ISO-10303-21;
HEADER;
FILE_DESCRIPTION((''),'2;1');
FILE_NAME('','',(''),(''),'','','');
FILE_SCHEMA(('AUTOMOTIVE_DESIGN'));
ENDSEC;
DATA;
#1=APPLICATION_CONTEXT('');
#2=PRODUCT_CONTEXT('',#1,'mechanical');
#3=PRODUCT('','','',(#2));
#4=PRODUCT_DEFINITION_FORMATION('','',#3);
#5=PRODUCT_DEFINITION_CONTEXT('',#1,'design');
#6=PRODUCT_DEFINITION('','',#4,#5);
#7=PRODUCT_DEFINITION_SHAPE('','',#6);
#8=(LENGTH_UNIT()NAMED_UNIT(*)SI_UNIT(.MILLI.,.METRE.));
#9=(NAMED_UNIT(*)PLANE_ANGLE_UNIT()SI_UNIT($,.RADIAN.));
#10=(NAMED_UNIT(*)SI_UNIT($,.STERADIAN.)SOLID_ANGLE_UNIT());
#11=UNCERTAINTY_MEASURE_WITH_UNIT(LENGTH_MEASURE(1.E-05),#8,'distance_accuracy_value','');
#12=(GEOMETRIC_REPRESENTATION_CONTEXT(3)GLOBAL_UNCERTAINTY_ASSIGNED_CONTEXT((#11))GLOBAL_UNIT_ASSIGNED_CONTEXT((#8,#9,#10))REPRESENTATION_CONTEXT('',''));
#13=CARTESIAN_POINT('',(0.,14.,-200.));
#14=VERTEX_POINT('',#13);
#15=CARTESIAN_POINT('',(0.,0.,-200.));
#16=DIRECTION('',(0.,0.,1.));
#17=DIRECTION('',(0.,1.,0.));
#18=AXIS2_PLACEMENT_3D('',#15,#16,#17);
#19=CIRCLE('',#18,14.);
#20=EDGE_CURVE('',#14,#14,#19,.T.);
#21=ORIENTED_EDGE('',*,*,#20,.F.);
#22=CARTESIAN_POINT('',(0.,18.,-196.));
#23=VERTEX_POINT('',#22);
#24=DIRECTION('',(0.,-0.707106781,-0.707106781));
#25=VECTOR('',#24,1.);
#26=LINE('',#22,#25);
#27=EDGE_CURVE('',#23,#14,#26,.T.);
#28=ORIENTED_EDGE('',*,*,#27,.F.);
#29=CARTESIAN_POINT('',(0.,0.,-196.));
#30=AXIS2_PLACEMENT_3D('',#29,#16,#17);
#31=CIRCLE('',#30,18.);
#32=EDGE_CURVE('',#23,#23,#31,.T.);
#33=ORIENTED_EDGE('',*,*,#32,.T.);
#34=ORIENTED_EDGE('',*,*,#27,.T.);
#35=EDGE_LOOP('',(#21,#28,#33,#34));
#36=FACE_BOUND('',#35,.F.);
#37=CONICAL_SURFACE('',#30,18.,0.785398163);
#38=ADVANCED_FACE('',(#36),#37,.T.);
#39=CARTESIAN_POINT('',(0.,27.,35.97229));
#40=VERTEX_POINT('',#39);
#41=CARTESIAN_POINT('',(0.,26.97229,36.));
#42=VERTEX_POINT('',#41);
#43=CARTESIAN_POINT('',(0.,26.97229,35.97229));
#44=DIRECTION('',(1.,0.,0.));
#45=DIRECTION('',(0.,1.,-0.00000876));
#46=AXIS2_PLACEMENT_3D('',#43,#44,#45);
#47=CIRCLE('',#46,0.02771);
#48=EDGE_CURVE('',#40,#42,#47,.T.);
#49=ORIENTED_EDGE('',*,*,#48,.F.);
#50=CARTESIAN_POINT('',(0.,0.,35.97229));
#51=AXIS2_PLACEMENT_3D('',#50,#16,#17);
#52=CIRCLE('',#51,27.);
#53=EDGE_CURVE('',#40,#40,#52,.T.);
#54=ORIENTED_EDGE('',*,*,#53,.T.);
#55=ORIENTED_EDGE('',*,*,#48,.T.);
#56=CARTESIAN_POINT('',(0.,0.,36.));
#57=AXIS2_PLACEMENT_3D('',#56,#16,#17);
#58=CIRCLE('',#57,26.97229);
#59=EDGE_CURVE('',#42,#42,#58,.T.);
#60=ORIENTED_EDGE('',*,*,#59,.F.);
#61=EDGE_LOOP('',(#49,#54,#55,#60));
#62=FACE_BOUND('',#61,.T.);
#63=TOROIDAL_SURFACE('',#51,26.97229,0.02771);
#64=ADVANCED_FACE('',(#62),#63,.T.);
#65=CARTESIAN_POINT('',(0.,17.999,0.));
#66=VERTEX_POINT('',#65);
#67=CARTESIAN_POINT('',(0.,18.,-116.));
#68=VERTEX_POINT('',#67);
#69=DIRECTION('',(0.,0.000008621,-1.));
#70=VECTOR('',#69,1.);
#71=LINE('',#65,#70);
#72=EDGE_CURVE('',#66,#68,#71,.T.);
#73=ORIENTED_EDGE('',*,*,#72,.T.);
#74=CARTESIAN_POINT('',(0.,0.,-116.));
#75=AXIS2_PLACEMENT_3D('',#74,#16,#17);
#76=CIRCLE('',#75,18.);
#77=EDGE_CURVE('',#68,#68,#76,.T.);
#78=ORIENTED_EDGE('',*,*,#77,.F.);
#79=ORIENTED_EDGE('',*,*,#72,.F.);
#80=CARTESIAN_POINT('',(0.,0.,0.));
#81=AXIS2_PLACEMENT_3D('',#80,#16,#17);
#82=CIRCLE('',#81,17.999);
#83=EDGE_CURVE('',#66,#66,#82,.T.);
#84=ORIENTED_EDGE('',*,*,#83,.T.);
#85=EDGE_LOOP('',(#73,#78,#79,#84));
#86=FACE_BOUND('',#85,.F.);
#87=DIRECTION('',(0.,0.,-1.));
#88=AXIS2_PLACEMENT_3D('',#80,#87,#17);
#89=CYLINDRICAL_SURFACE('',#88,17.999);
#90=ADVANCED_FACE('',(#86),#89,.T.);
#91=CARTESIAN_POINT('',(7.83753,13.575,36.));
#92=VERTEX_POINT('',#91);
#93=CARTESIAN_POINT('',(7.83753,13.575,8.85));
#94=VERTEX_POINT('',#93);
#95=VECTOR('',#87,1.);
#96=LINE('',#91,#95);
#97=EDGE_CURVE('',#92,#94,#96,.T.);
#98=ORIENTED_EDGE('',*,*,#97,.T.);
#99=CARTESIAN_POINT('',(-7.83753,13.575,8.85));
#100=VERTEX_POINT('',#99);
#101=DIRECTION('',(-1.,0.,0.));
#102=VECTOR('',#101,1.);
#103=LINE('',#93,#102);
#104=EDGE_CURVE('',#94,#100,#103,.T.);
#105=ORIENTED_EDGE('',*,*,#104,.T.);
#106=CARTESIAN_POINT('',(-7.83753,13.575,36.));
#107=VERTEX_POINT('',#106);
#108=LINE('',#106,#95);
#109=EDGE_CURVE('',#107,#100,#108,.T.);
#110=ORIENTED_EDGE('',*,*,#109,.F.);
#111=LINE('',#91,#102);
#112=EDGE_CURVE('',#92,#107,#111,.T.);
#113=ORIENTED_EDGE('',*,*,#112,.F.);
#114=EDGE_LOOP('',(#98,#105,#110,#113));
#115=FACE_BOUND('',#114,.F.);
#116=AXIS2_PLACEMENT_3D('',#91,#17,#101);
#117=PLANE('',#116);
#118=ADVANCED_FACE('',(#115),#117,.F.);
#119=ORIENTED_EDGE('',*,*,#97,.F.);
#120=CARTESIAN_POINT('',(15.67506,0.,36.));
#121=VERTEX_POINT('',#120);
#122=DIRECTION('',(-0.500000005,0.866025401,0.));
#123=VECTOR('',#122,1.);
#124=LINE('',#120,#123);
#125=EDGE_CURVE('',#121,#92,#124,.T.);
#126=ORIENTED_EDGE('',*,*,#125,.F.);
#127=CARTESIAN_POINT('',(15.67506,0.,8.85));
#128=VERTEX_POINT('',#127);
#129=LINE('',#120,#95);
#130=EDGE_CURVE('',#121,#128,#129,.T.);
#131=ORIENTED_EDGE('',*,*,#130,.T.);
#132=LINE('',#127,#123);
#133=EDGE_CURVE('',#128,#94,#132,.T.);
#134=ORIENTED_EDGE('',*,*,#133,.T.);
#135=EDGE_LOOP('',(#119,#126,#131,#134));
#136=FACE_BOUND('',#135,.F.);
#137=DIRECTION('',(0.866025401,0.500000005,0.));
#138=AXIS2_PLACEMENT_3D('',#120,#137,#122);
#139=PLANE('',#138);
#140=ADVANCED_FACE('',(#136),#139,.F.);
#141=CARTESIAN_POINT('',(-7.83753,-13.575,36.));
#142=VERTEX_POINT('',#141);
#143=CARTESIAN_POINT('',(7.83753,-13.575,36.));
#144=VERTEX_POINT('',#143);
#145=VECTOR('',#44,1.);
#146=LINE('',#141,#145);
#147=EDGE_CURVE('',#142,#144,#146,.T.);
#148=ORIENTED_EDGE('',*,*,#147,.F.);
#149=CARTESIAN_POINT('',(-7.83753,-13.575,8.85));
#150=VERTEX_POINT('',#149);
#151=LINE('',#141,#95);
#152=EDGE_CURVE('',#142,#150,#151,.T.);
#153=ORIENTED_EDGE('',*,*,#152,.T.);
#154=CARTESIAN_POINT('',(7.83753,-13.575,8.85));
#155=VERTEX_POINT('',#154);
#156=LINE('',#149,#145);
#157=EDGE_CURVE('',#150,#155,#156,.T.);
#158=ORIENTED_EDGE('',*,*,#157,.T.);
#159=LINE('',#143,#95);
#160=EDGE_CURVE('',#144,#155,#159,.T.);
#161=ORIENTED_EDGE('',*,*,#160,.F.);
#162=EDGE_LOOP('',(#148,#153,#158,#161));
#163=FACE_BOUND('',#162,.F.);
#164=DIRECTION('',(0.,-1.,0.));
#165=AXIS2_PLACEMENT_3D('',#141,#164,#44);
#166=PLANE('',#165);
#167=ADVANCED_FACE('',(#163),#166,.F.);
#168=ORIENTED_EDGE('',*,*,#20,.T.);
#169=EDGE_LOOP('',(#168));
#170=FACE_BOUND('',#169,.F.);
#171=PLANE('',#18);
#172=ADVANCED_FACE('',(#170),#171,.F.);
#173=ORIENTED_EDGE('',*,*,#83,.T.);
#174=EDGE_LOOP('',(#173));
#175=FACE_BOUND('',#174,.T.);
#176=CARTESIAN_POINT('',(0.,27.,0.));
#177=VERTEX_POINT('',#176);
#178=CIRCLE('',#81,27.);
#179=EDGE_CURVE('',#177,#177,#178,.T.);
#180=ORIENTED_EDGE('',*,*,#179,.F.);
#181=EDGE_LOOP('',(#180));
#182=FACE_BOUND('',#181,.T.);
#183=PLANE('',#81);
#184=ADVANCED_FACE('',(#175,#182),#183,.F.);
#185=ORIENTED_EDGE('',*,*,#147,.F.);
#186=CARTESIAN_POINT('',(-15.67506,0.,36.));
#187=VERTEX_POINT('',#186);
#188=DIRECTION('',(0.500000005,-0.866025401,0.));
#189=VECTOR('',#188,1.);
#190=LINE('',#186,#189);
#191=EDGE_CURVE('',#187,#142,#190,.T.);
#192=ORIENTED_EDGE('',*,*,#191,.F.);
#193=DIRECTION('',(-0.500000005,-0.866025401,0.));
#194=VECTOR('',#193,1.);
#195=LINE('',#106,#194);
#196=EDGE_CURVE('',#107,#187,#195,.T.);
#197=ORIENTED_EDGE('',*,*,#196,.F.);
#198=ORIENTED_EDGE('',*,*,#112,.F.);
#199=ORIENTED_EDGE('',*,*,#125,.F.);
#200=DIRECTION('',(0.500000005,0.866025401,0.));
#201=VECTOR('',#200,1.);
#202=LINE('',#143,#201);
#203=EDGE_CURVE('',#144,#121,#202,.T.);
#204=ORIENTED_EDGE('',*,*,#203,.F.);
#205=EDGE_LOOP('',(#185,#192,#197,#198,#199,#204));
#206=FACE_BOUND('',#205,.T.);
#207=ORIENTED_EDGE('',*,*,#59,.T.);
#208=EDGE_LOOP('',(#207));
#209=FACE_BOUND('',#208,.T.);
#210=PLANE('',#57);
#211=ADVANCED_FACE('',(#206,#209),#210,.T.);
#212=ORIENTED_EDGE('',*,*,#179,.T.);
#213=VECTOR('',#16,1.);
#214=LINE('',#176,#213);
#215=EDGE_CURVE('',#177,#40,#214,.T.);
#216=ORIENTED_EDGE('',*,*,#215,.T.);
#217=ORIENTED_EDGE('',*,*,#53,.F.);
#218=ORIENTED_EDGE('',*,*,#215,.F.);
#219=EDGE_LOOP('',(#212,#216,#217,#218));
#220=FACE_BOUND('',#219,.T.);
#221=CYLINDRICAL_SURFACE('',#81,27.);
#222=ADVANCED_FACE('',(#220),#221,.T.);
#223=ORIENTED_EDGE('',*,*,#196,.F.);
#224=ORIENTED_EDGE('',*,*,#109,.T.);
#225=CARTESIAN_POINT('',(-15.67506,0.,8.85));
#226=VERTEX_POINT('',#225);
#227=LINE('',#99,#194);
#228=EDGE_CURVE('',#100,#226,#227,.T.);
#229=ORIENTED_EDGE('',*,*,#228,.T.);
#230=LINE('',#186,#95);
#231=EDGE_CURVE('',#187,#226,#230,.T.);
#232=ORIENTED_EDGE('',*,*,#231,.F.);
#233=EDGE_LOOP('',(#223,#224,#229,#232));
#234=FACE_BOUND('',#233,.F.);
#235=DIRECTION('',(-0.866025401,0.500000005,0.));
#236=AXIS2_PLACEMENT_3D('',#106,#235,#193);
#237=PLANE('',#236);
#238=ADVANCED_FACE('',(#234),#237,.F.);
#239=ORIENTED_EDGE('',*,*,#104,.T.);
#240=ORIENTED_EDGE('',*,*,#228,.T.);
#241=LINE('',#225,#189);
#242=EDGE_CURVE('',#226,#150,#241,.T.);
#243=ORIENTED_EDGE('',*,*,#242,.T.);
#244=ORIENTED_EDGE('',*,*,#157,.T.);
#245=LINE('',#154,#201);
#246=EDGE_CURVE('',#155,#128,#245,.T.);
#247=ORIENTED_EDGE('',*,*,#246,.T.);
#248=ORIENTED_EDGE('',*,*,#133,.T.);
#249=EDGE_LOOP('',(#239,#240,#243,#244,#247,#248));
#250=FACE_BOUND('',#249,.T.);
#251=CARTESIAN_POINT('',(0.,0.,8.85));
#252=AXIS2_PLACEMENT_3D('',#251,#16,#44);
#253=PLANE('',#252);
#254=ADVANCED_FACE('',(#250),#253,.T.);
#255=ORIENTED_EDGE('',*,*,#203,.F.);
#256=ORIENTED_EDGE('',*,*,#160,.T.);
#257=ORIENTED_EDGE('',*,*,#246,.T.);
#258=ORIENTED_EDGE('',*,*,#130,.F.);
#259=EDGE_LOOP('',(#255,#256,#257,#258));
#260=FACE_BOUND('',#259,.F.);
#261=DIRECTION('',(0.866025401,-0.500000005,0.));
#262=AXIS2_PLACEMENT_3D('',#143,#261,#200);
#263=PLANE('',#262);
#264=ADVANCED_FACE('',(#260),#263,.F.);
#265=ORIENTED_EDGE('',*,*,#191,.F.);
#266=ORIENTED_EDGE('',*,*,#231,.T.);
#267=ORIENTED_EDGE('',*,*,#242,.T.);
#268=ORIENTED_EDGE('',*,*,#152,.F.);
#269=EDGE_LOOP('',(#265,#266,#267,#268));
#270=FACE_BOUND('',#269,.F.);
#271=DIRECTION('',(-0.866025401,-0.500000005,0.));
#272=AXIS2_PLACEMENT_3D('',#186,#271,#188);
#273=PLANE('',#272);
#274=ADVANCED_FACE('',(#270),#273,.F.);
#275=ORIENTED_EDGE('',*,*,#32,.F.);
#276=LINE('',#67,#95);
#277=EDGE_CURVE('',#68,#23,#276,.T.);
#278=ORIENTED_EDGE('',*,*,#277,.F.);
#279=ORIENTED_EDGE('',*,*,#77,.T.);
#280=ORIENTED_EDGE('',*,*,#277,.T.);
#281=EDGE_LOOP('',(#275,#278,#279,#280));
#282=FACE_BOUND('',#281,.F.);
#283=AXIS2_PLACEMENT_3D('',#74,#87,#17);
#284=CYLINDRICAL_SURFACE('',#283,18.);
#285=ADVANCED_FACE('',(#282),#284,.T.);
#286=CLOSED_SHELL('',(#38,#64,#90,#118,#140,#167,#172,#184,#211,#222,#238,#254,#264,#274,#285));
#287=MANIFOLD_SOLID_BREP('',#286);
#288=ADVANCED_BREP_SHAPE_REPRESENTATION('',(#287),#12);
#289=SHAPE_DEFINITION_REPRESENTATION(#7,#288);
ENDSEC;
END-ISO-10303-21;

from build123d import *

# Parameters (mm, degrees)
POCKET_DEPTH = 27.15


with BuildPart() as part:
    # Sketch → Revolve (revolve)
    with BuildSketch(Plane.YZ):
        with BuildLine():
            Line((17.999, 0), (27, 0))
            Line((27, 0), (27, 35.97229))
            ThreePointArc((27, 35.97229), (26.991884, 35.991884), (26.97229, 36))
            Line((26.97229, 36), (0, 36))
            Line((0, -200), (0, 36))
            Line((14, -200), (0, -200))
            Line((18, -196), (14, -200))
            Line((18, -116), (18, -196))
            Line((17.999, 0), (18, -116))
        make_face()
    revolve(axis=Axis((0, 0, 0), (0, 0, 1)))

    # Sketch001 → Pocket (cut)
    with BuildSketch(Plane.XY.offset(36)):
        Polygon((15.67506, 0), (7.83753, 13.575), (-7.83753, 13.575), (-15.67506, 0), (-7.83753, -13.575), (7.83753, -13.575), align=None)
    extrude(amount=-POCKET_DEPTH, mode=Mode.SUBTRACT)


solid = part.part
